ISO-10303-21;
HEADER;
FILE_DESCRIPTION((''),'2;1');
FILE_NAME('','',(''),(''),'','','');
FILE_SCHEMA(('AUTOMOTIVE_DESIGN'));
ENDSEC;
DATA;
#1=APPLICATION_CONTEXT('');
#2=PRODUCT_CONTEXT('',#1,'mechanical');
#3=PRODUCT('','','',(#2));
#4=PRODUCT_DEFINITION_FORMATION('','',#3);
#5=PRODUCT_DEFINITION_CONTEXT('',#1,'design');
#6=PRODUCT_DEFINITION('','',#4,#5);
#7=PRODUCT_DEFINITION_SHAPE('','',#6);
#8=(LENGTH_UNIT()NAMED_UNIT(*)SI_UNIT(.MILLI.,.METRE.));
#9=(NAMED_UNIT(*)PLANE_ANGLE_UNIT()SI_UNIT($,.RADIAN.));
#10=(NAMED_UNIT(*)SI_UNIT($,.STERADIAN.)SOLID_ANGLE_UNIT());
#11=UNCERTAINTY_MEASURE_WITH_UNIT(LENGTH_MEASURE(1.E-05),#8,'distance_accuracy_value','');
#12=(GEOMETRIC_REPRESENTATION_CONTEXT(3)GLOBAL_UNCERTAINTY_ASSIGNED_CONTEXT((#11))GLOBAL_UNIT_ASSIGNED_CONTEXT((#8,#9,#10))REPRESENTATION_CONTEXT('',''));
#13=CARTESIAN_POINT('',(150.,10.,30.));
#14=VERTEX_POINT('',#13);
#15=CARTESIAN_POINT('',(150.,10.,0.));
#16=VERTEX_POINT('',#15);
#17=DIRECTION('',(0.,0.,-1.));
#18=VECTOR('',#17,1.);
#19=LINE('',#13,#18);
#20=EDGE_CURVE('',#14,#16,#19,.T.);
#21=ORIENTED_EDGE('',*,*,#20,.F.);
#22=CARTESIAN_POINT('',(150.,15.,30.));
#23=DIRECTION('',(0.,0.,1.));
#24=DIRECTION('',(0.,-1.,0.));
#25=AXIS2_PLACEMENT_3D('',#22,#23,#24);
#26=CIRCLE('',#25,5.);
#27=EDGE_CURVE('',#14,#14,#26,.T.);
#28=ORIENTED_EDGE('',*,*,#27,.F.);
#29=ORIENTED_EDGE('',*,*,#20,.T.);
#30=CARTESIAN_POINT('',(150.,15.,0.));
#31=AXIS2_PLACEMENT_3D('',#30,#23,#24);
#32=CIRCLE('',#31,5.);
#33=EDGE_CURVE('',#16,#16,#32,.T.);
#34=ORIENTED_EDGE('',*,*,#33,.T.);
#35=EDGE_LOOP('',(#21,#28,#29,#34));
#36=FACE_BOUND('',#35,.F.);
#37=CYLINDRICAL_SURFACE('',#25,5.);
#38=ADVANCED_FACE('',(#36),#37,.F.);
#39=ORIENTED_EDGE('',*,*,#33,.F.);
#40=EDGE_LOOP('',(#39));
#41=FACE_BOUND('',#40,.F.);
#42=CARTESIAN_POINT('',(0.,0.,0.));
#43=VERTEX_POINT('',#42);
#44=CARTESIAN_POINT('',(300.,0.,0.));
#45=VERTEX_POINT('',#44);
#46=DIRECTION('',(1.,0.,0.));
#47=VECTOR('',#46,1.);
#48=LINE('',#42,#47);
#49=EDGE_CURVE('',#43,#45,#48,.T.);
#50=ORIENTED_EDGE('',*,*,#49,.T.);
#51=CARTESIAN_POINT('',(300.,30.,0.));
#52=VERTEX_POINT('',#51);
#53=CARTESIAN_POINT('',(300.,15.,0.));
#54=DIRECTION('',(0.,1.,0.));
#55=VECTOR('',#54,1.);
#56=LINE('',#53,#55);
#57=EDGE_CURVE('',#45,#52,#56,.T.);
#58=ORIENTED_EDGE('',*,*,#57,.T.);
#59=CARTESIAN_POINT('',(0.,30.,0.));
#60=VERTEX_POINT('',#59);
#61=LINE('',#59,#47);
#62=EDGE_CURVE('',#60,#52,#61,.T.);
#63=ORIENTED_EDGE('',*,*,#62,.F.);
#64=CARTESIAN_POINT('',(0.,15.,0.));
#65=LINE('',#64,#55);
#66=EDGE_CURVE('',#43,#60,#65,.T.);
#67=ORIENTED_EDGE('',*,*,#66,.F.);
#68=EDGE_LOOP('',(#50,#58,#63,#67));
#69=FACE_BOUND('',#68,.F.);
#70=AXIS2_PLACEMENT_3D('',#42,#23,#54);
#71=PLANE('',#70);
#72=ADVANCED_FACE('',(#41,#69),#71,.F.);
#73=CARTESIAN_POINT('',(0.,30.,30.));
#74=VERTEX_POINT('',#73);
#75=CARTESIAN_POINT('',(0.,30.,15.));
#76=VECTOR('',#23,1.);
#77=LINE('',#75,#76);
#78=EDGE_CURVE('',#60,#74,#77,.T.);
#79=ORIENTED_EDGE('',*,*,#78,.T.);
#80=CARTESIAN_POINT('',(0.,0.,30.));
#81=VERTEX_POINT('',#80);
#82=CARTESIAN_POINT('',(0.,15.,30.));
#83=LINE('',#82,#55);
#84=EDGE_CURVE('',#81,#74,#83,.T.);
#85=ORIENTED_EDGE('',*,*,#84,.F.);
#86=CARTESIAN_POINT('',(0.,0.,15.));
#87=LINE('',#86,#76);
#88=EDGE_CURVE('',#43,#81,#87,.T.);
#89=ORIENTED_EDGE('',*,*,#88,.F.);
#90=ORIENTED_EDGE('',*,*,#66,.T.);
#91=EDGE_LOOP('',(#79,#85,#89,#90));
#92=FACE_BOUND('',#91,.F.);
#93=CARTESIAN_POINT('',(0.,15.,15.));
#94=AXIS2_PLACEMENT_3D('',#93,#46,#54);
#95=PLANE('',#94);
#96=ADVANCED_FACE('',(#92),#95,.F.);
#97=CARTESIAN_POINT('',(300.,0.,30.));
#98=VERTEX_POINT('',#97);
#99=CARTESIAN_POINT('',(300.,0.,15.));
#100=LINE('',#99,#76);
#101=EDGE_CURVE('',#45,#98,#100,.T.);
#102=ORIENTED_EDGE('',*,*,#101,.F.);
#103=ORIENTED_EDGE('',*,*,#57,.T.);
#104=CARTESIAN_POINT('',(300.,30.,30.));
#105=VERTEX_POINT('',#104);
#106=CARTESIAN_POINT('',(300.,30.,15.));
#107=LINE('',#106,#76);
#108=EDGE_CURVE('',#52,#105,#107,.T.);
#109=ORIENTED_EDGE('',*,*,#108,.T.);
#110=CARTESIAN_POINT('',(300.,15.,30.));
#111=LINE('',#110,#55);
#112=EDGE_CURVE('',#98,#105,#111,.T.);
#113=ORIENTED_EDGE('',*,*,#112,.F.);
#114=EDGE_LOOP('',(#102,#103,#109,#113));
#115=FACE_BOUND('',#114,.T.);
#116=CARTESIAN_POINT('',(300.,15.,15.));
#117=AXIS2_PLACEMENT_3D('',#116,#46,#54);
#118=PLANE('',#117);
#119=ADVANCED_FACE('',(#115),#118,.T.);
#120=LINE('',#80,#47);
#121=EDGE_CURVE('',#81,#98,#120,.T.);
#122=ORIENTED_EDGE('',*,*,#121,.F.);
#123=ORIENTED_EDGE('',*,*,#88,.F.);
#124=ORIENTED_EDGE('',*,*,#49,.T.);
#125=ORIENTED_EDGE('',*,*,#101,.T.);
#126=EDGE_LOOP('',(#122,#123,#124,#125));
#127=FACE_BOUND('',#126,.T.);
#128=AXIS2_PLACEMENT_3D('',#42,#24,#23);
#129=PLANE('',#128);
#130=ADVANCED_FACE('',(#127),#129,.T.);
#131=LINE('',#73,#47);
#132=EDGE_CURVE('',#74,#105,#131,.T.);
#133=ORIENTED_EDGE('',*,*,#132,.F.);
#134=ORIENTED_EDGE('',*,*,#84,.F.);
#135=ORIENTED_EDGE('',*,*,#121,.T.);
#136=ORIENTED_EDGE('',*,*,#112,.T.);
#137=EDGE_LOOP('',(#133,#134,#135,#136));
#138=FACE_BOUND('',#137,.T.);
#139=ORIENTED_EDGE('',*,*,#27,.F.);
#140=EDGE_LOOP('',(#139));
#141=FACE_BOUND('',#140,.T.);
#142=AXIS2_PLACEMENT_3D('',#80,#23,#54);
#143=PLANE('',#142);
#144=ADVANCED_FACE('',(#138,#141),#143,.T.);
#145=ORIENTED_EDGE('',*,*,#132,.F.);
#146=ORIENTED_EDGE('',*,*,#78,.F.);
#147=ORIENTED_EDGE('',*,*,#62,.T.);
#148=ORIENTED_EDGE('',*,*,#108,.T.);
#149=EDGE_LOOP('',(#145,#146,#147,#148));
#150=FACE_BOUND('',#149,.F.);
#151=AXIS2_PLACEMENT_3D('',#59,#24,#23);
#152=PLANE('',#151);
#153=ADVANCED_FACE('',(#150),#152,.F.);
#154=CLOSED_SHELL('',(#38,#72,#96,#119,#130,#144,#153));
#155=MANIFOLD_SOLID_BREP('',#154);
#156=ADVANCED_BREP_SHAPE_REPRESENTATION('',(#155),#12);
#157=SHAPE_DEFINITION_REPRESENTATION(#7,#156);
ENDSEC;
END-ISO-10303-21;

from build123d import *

# Parameters (mm, degrees)
SKETCH_W     = 30
SKETCH_H     = 30
PAD_DEPTH    = 300
SKETCH001_R  = 5
POCKET_DEPTH = 30.001


with BuildPart() as part:
    # Sketch → Pad (new body)
    with BuildSketch(Plane.YZ):
        with Locations((15, 15)):
            Rectangle(SKETCH_W, SKETCH_H)
    extrude(amount=PAD_DEPTH)

    # Sketch001 (on Face3 of Pad) → Pocket (cut, through all)
    with BuildSketch(Plane(origin=(0, 0, 30), x_dir=(0, -1, 0), z_dir=(0, 0, 1))):
        with Locations((-15, 150)):
            Circle(SKETCH001_R)
    extrude(amount=-POCKET_DEPTH, mode=Mode.SUBTRACT)


solid = part.part
